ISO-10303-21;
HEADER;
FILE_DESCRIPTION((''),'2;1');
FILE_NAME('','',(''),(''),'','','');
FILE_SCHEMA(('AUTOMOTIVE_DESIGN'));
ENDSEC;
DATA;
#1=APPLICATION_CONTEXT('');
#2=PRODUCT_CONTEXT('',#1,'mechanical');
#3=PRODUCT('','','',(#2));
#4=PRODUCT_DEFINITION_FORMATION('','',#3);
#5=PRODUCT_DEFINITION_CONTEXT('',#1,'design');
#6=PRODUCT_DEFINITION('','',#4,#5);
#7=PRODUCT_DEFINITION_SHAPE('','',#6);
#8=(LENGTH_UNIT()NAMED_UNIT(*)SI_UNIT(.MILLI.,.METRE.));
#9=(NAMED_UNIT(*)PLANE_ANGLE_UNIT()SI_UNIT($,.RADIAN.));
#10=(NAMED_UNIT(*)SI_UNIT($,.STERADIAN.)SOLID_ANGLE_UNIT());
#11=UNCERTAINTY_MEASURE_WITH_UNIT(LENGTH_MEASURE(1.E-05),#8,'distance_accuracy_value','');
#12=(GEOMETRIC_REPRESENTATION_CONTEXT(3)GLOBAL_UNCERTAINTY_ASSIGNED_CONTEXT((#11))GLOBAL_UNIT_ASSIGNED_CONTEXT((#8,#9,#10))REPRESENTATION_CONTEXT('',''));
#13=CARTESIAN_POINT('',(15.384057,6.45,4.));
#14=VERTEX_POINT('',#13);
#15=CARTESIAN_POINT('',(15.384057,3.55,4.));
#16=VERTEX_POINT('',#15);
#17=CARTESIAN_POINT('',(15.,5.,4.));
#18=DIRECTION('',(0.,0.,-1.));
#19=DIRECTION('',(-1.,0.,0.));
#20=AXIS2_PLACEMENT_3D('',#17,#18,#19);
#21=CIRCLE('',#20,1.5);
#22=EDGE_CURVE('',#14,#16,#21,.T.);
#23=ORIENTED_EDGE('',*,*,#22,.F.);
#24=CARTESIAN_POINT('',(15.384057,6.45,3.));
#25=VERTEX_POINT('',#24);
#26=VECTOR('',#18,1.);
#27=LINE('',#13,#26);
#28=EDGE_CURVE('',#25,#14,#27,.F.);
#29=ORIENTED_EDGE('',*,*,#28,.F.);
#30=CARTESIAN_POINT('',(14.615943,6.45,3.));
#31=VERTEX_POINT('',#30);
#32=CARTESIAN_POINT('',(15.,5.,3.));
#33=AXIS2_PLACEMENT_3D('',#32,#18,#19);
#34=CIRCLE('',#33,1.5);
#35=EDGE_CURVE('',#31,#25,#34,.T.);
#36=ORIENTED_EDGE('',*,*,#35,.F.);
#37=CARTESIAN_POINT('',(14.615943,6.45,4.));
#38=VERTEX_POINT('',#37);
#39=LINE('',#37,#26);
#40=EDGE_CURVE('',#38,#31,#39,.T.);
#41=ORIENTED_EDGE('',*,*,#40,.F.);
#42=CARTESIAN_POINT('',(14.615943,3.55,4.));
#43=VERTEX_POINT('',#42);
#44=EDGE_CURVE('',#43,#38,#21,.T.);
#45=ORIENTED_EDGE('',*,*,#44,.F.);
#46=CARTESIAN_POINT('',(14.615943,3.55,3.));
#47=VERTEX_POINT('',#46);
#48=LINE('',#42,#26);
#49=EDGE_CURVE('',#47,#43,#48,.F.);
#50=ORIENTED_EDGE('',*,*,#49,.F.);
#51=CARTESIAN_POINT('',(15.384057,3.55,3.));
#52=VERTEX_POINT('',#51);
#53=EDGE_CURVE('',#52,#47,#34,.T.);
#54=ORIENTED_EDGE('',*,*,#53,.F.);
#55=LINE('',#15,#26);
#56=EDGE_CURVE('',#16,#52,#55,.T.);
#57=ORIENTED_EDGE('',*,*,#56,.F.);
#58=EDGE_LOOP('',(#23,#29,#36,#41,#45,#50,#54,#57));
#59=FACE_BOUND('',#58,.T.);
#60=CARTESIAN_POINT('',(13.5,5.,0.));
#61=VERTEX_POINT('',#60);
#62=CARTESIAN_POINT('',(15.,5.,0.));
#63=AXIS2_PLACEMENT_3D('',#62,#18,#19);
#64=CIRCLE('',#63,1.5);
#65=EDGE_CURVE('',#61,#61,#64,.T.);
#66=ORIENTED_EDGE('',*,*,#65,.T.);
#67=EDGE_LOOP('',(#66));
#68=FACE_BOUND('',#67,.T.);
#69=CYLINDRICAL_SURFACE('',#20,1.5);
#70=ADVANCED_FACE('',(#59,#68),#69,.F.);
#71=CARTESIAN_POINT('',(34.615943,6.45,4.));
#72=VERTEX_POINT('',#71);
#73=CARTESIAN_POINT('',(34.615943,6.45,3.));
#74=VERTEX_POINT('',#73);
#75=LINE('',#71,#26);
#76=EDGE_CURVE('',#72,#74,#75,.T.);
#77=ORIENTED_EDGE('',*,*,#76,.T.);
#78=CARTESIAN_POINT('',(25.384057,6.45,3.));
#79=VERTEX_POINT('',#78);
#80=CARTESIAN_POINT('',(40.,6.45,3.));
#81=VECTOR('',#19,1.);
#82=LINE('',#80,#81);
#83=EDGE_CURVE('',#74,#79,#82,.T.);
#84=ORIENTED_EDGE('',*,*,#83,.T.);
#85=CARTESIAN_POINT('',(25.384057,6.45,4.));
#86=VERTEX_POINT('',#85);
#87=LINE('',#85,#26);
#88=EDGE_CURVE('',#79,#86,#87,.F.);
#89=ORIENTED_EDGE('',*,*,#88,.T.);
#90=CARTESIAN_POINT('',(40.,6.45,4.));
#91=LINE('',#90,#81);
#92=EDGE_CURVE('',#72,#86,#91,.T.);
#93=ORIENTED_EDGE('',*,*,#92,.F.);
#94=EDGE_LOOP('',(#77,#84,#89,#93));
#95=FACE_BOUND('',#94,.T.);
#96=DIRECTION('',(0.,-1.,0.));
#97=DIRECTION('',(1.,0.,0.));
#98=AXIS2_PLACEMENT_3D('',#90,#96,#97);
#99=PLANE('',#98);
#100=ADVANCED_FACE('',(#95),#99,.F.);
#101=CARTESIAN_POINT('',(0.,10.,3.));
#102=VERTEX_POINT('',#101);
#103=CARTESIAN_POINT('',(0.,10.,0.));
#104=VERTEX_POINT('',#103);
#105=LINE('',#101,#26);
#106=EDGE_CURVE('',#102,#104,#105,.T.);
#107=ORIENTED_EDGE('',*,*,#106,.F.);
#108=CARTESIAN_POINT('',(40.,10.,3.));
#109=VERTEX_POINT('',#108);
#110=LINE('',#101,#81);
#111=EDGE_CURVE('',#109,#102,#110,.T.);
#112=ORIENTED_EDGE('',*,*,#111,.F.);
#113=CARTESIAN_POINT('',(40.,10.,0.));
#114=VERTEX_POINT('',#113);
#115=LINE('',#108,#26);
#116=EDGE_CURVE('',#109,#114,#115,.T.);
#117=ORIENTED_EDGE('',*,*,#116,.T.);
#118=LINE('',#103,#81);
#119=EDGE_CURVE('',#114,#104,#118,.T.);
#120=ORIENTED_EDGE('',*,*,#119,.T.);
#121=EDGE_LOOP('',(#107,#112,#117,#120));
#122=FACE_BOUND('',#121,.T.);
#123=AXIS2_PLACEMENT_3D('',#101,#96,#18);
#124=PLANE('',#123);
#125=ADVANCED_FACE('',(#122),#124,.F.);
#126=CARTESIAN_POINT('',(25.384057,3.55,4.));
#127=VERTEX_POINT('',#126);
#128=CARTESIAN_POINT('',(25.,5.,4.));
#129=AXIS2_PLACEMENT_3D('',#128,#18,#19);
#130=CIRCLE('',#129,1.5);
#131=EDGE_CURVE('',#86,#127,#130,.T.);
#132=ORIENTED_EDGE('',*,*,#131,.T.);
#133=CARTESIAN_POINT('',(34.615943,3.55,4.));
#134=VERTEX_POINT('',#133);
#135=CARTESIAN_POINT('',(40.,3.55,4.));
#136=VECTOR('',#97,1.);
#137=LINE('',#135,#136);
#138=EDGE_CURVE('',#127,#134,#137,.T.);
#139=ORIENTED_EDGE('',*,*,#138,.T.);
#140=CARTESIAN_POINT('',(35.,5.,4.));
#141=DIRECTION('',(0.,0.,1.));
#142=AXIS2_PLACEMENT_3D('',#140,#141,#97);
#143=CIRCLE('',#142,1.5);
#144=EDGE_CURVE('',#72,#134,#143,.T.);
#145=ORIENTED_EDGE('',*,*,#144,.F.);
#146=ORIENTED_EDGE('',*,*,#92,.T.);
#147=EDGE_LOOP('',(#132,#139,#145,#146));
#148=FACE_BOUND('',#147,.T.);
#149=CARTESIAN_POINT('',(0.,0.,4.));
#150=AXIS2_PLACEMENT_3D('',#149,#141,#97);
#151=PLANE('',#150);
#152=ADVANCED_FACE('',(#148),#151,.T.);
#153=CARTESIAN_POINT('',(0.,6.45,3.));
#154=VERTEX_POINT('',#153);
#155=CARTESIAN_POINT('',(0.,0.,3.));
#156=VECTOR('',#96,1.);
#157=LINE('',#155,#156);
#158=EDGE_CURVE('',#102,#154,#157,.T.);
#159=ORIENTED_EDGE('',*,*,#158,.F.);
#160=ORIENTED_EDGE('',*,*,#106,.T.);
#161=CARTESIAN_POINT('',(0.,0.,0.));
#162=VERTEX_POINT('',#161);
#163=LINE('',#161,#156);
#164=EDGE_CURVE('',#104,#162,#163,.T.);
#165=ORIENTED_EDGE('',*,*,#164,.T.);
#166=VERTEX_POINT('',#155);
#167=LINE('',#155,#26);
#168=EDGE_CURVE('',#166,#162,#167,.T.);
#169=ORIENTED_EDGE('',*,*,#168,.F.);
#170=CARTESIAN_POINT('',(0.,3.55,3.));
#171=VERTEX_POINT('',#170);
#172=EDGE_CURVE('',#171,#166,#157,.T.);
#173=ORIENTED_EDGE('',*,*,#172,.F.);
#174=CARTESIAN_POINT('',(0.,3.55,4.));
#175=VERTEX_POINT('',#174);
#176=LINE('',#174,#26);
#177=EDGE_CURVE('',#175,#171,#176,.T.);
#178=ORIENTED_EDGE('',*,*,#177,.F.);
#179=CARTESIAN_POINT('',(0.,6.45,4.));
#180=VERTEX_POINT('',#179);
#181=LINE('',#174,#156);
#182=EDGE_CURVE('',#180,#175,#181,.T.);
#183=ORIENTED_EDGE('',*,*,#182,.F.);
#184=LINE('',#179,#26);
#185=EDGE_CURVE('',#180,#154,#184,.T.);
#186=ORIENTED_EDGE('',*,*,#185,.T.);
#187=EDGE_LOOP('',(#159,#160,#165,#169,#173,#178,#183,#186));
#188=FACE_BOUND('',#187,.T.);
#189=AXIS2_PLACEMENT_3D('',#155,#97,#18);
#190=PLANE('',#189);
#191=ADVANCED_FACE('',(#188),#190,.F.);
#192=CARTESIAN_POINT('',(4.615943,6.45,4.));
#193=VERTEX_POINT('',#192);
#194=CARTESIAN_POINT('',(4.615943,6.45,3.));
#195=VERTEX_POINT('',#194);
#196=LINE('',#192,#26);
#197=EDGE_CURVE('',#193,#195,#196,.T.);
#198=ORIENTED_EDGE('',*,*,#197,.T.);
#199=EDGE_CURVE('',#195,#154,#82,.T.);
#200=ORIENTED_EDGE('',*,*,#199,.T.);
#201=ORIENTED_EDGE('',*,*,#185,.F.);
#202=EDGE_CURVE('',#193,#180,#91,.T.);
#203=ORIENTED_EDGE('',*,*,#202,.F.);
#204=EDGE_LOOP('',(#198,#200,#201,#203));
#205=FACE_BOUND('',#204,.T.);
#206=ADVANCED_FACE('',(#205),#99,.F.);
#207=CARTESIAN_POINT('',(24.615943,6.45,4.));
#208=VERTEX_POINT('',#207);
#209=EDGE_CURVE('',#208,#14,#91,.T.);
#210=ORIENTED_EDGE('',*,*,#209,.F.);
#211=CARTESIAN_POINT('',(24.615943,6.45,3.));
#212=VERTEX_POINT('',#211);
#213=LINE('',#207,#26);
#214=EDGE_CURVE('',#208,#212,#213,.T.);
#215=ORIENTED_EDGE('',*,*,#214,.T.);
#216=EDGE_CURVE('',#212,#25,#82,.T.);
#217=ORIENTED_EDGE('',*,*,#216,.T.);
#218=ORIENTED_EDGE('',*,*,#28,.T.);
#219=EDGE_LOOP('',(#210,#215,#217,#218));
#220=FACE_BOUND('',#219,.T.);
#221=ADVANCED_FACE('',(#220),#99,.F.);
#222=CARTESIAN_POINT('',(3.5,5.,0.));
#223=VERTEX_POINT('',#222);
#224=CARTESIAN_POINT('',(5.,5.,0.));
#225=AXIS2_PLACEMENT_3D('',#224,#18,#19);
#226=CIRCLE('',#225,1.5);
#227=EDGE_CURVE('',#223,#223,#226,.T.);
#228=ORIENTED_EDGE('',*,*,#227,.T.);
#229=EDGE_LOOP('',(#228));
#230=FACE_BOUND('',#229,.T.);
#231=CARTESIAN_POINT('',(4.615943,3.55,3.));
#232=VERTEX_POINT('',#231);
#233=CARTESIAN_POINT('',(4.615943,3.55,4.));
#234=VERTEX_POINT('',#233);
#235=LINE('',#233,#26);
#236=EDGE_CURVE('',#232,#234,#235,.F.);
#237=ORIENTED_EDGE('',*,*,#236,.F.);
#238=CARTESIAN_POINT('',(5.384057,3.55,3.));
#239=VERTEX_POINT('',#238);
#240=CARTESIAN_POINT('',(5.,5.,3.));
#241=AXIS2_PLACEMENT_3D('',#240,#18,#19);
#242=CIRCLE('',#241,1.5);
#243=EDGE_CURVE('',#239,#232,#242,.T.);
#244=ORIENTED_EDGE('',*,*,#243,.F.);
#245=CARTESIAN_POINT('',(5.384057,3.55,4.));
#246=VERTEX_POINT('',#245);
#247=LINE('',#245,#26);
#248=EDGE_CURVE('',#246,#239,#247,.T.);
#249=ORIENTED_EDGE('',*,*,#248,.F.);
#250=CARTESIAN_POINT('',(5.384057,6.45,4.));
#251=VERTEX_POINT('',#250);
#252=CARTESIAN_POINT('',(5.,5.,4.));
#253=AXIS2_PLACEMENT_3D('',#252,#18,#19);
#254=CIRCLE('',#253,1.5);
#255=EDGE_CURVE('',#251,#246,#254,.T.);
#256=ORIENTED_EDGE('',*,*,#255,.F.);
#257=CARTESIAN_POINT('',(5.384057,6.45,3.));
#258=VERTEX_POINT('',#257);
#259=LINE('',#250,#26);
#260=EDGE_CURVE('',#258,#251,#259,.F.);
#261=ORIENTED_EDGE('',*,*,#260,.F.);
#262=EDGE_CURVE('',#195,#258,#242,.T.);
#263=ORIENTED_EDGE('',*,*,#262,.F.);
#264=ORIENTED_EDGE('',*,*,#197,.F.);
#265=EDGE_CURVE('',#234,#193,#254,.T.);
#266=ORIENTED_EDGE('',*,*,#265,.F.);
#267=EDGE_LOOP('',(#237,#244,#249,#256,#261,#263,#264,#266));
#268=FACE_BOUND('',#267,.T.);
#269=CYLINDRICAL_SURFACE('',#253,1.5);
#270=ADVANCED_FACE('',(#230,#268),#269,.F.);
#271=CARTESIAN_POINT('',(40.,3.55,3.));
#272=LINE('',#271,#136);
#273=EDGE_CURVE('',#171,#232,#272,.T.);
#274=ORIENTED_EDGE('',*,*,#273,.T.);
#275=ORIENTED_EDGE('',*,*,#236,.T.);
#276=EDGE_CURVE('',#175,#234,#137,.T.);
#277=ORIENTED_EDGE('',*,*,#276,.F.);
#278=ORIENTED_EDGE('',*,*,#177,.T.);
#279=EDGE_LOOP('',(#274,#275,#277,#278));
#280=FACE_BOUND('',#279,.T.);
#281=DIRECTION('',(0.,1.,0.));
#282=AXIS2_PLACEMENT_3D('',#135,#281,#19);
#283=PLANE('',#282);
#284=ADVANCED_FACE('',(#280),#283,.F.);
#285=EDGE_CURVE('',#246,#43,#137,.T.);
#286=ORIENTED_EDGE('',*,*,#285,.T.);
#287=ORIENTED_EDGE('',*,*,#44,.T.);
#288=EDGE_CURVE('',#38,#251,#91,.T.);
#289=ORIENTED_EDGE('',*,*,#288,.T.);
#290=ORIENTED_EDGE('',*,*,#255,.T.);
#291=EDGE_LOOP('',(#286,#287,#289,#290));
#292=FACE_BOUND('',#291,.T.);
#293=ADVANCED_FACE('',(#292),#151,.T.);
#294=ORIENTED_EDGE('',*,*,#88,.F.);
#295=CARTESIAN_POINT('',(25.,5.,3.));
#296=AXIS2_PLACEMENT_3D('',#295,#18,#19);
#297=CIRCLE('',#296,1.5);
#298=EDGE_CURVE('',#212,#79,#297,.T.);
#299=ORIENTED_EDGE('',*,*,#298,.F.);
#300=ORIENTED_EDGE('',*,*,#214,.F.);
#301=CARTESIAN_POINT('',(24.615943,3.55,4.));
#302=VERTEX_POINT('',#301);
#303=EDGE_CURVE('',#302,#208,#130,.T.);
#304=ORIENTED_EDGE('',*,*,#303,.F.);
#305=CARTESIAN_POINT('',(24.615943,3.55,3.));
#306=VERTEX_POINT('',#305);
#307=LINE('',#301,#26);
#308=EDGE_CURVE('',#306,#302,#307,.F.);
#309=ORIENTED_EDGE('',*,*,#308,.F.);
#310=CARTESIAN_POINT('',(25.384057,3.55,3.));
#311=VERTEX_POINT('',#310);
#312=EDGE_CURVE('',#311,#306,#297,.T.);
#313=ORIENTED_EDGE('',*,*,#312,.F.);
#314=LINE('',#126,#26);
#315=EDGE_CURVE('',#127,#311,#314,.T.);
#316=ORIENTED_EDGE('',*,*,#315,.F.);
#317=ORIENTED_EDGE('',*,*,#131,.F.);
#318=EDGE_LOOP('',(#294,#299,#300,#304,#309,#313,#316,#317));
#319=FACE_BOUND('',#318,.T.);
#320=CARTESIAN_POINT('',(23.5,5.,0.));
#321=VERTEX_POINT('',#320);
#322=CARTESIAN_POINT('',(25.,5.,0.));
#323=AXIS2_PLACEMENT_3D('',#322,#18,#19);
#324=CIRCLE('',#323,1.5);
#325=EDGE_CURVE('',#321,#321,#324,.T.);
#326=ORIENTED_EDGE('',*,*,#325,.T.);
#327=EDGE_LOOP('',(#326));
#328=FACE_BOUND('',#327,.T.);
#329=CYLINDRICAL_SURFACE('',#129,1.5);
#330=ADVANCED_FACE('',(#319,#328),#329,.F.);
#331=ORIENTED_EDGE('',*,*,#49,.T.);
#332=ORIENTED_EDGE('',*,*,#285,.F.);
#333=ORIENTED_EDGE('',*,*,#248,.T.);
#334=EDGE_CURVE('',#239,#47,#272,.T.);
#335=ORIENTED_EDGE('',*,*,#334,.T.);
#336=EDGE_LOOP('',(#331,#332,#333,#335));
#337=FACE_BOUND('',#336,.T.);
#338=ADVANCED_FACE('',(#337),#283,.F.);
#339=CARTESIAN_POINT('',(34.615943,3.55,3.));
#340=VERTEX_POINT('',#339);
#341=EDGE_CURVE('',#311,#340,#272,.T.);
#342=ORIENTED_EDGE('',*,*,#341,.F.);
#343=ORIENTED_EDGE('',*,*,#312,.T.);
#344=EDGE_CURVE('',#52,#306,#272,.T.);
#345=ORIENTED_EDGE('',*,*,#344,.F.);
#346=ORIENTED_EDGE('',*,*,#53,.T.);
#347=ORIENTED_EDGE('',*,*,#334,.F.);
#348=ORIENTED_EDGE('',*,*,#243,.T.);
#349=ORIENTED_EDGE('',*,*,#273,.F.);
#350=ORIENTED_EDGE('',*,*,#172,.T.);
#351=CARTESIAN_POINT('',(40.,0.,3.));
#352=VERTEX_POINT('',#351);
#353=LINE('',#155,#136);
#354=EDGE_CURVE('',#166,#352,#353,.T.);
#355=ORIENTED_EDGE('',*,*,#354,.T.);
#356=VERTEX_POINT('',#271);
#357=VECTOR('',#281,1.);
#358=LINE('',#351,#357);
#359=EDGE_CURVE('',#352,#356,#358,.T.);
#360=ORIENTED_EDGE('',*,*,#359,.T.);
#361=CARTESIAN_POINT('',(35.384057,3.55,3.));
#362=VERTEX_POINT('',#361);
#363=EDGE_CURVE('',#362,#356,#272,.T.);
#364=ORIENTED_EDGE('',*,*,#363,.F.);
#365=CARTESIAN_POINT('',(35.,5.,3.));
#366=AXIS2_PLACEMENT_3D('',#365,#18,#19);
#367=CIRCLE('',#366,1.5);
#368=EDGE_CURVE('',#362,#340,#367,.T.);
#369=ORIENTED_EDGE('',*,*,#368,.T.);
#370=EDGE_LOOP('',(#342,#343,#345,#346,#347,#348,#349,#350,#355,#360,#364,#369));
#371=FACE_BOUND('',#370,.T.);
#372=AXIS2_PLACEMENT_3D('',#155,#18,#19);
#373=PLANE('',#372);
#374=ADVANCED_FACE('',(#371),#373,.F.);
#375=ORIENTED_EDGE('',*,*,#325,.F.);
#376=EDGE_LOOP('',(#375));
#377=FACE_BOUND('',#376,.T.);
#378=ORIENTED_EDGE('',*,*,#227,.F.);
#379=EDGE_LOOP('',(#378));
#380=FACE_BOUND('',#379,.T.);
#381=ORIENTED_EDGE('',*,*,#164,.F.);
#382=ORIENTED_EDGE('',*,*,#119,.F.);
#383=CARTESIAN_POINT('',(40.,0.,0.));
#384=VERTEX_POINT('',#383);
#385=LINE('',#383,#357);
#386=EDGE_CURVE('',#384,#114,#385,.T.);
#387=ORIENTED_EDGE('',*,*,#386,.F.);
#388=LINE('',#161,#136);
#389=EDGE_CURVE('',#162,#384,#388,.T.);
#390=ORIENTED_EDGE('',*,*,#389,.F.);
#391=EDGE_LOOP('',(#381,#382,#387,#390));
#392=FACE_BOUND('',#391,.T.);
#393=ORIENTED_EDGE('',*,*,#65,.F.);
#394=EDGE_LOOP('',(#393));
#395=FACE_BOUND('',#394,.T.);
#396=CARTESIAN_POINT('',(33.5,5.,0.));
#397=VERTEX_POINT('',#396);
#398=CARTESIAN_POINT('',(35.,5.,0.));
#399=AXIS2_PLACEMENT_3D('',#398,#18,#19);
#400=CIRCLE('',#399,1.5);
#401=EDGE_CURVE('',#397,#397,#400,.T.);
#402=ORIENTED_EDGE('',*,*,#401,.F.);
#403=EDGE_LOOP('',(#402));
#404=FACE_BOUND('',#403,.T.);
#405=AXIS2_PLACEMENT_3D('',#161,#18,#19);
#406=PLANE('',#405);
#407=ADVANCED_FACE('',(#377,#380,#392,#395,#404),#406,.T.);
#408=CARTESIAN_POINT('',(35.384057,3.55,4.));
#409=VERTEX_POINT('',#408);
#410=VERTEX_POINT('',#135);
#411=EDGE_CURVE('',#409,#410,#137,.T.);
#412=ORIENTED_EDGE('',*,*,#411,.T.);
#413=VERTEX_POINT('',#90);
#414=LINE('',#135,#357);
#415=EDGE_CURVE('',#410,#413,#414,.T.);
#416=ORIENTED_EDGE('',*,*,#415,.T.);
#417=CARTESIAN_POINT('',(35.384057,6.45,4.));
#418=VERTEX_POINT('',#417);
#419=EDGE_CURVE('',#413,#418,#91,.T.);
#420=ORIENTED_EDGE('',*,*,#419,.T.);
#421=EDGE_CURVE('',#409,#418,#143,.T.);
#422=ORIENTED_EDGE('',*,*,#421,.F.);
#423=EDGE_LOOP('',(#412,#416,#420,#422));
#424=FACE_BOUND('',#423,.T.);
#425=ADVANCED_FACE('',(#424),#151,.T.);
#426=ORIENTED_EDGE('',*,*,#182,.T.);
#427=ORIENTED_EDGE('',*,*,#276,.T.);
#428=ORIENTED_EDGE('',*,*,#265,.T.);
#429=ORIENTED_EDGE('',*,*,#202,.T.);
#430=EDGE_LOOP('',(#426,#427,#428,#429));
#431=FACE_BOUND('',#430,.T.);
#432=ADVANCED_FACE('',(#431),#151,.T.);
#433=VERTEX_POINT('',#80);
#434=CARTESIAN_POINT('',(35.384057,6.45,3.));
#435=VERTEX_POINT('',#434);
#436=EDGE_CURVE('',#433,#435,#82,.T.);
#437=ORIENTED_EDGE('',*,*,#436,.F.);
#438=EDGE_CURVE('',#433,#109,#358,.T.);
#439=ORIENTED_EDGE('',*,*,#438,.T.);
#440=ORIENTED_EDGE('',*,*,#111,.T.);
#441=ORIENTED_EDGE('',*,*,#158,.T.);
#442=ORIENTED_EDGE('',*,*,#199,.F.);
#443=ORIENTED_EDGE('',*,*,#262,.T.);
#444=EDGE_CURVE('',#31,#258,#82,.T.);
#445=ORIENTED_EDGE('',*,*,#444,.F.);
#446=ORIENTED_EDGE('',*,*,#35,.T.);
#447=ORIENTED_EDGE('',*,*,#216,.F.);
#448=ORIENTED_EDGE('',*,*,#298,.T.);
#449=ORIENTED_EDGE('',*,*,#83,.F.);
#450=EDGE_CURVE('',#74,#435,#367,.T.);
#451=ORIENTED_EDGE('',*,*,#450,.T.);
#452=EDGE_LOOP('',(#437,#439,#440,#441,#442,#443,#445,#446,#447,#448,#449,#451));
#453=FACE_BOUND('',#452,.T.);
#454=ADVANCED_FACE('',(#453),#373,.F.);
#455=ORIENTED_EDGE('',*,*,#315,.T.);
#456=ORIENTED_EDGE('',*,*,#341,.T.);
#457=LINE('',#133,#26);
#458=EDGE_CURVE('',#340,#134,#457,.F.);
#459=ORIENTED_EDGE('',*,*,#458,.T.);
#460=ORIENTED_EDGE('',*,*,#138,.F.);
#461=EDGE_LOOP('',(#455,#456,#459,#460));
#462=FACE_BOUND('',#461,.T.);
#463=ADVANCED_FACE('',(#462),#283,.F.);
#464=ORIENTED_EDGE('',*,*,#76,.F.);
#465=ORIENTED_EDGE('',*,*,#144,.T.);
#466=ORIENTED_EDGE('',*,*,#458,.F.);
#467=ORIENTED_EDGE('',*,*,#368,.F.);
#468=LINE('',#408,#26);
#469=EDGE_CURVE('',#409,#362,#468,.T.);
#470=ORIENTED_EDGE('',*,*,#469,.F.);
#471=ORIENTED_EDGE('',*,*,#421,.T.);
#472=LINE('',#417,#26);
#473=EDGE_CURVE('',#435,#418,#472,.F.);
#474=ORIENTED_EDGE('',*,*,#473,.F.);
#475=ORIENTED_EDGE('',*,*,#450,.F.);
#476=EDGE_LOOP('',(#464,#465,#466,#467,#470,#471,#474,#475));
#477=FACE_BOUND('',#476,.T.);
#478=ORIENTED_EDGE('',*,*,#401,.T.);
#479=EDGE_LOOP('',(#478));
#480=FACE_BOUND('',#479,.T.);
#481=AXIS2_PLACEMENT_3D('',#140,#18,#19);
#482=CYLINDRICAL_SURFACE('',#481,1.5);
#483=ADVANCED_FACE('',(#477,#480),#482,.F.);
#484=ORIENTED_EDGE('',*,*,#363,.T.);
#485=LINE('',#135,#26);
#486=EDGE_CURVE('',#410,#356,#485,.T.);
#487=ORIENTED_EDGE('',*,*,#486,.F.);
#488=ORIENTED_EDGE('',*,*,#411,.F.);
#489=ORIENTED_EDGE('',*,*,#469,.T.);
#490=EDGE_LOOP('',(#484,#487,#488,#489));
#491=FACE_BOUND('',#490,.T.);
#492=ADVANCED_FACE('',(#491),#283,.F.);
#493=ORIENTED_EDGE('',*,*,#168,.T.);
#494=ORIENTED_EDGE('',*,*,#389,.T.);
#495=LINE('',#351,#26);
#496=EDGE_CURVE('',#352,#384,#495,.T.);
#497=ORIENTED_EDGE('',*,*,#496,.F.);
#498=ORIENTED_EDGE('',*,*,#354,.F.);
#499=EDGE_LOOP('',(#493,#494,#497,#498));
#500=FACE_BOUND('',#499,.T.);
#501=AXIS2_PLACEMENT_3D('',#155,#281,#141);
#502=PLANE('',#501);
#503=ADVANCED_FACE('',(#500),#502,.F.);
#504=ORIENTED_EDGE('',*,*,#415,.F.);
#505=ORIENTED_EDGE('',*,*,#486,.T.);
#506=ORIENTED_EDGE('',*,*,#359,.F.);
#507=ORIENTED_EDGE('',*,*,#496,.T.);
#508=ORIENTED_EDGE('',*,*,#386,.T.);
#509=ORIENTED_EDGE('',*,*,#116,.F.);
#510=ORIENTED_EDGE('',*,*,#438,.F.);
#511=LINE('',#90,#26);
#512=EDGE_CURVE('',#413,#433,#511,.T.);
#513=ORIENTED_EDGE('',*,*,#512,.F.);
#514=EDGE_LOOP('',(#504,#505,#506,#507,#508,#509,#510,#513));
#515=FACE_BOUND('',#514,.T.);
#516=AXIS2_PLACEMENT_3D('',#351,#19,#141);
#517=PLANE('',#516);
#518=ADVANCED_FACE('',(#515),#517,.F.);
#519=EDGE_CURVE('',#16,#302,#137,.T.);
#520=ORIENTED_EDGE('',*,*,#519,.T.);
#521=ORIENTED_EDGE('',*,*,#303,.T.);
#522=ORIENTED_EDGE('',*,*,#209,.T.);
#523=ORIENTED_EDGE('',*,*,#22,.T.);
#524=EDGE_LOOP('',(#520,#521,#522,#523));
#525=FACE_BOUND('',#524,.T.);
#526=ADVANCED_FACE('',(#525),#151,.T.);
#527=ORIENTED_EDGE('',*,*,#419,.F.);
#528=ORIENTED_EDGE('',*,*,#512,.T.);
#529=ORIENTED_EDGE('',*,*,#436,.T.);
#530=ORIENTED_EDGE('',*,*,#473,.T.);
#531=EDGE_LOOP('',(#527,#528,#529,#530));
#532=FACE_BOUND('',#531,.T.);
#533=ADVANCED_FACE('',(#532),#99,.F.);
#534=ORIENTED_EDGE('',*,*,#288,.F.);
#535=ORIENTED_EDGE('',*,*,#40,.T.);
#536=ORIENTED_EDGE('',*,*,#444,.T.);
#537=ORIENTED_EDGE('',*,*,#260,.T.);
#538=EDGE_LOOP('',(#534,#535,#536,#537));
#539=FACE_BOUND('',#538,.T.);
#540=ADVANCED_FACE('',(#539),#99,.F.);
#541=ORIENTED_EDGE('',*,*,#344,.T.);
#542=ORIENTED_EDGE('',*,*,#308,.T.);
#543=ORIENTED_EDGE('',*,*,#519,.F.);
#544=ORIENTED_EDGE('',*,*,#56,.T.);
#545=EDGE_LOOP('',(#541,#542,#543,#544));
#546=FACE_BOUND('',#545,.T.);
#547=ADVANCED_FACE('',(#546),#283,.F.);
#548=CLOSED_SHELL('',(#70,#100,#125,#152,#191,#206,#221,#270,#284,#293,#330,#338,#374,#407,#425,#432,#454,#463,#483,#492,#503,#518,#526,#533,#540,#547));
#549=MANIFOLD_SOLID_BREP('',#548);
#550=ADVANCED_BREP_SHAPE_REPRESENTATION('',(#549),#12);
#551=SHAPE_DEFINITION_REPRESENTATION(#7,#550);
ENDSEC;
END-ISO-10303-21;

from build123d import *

# Parameters (mm, degrees)
ESQUISSE1_W                = 40
ESQUISSE1_H                = 10
BOSS_EXTRU_1_DEPTH         = 3
ESQUISSE2_W                = 40
ESQUISSE2_H                = 2.9
BOSS_EXTRU_2_DEPTH         = 1
ESQUISSE3_R                = 1.5
ENL_V_MAT_EXTRU_1_DEPTH    = 5
R_P_TITION_LIN_AIRE1_COUNT = 4
R_P_TITION_LIN_AIRE1_PITCH = 10


with BuildPart() as part:
    # Esquisse1 → Boss.-Extru.1 (new body)
    with BuildSketch(Plane.XY):
        with Locations((20, 5)):
            Rectangle(ESQUISSE1_W, ESQUISSE1_H)
    extrude(amount=BOSS_EXTRU_1_DEPTH)

    # Esquisse2 → Boss.-Extru.2 (add)
    with BuildSketch(Plane.XY.offset(3)):
        with Locations((20, 5)):
            Rectangle(ESQUISSE2_W, ESQUISSE2_H)
    extrude(amount=BOSS_EXTRU_2_DEPTH)

    # Esquisse3 → Enlèv. mat.-Extru.1 (cut, through all)
    with BuildSketch(Plane(origin=(0, 0, 0), x_dir=(-1, 0, 0), z_dir=(0, 0, -1))):
        with Locations((-35, 5)):
            Circle(ESQUISSE3_R)
    enl_v_mat_extru_1 = extrude(amount=-ENL_V_MAT_EXTRU_1_DEPTH, mode=Mode.SUBTRACT)

    # Répétition linéaire1: Enlèv. mat.-Extru.1 ×4
    with Locations(*[(-i * R_P_TITION_LIN_AIRE1_PITCH, 0, 0) for i in range(1, R_P_TITION_LIN_AIRE1_COUNT)]):
        add(enl_v_mat_extru_1, mode=Mode.SUBTRACT)


solid = part.part
